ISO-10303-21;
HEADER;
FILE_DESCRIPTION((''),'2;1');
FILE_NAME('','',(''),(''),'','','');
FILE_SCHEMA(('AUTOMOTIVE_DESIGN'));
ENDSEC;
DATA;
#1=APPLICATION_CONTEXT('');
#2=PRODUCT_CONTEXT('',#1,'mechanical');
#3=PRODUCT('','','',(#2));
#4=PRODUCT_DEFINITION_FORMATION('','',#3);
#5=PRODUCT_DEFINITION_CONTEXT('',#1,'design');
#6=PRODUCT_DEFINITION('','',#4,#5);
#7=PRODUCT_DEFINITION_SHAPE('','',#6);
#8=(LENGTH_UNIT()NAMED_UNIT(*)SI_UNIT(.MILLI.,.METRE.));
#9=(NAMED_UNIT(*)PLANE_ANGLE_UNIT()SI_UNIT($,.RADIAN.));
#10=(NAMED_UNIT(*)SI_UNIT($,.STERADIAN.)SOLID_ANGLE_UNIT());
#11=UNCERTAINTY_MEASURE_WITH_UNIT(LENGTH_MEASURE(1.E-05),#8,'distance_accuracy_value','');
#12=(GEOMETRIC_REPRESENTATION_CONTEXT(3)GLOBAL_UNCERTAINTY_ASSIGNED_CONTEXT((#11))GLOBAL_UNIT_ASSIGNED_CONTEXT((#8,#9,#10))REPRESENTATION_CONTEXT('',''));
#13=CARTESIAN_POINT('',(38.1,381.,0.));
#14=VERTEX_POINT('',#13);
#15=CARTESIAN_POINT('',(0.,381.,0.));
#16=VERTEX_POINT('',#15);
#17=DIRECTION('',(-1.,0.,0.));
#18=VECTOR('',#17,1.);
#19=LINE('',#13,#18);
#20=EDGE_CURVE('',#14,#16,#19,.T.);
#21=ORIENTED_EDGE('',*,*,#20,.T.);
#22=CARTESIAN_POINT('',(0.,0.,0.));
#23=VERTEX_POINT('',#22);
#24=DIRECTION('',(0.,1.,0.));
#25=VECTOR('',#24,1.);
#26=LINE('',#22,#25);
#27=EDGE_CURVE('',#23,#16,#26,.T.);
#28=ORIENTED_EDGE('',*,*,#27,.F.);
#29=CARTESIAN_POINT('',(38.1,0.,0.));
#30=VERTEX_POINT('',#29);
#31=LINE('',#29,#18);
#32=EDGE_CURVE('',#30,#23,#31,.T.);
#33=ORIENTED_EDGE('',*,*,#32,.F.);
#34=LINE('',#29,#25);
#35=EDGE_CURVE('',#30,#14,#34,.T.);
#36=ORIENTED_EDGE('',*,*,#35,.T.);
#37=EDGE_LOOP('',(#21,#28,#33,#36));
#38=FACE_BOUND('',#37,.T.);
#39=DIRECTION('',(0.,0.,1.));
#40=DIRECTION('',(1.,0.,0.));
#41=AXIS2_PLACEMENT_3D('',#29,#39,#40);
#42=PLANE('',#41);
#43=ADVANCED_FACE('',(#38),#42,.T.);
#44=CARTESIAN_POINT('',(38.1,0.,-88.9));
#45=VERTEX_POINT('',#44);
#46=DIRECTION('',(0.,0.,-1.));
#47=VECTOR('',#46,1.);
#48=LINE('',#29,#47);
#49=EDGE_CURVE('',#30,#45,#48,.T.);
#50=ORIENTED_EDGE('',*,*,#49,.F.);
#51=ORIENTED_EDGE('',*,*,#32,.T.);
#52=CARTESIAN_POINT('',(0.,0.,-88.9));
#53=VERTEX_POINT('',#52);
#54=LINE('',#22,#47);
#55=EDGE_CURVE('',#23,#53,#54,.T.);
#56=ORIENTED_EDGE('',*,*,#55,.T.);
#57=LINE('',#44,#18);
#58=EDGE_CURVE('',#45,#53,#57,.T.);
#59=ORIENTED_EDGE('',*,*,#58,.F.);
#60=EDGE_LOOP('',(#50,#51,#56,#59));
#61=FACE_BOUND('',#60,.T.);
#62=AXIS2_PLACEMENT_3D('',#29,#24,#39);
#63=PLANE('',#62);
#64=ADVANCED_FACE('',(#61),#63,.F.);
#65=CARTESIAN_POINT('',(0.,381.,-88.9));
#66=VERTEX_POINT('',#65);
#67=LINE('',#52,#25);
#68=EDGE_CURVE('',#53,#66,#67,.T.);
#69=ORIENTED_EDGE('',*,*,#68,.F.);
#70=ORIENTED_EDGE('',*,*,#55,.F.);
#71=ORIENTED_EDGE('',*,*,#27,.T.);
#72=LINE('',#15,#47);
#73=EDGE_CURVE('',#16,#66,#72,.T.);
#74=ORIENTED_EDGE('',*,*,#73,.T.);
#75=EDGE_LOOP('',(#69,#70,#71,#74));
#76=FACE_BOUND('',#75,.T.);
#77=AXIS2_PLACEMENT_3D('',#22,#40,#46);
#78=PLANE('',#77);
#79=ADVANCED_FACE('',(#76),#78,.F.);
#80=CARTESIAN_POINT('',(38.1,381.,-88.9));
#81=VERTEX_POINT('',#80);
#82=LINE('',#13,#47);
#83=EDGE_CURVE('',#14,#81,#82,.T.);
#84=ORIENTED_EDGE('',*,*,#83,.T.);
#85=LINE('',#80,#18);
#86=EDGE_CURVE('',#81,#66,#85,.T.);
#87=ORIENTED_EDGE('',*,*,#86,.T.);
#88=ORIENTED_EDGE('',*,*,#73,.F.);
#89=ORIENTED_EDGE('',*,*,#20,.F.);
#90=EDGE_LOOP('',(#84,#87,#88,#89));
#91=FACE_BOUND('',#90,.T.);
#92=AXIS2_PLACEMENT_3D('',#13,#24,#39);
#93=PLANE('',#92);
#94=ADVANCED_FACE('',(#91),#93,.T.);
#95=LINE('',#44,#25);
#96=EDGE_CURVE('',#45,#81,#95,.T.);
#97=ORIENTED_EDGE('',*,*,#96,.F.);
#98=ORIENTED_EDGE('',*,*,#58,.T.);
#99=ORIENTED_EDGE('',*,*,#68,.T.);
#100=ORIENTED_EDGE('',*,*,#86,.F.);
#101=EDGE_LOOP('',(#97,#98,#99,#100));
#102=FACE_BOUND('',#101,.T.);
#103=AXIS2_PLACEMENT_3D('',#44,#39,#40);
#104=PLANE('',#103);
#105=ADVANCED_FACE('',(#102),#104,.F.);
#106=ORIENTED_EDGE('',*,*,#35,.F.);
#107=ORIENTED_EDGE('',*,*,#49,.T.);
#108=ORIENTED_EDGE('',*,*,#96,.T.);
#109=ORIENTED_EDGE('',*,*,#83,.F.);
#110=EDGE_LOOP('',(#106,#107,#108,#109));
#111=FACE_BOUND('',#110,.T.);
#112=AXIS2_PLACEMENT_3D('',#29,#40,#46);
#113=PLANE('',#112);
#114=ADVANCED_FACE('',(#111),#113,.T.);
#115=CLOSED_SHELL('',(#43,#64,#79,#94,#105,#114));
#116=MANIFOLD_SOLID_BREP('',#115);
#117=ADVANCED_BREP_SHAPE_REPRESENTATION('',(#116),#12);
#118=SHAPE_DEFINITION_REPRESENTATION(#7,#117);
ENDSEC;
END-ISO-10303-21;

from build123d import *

# Parameters (mm, degrees)
SKETCH1_W           = 88.9
SKETCH1_H           = 304.8
SKETCH1_H_2         = 76.2
BOSS_EXTRUDE1_DEPTH = 38.1


with BuildPart() as part:
    # Sketch1 → Boss-Extrude1 (new body)
    with BuildSketch(Plane(origin=(0, 0, 0), x_dir=(0, 0, -1), z_dir=(1, 0, 0))):
        with Locations((44.45, 152.4)):
            Rectangle(SKETCH1_W, SKETCH1_H)
        with Locations((44.45, 342.9)):
            Rectangle(SKETCH1_W, SKETCH1_H_2)
    extrude(amount=BOSS_EXTRUDE1_DEPTH)


solid = part.part
